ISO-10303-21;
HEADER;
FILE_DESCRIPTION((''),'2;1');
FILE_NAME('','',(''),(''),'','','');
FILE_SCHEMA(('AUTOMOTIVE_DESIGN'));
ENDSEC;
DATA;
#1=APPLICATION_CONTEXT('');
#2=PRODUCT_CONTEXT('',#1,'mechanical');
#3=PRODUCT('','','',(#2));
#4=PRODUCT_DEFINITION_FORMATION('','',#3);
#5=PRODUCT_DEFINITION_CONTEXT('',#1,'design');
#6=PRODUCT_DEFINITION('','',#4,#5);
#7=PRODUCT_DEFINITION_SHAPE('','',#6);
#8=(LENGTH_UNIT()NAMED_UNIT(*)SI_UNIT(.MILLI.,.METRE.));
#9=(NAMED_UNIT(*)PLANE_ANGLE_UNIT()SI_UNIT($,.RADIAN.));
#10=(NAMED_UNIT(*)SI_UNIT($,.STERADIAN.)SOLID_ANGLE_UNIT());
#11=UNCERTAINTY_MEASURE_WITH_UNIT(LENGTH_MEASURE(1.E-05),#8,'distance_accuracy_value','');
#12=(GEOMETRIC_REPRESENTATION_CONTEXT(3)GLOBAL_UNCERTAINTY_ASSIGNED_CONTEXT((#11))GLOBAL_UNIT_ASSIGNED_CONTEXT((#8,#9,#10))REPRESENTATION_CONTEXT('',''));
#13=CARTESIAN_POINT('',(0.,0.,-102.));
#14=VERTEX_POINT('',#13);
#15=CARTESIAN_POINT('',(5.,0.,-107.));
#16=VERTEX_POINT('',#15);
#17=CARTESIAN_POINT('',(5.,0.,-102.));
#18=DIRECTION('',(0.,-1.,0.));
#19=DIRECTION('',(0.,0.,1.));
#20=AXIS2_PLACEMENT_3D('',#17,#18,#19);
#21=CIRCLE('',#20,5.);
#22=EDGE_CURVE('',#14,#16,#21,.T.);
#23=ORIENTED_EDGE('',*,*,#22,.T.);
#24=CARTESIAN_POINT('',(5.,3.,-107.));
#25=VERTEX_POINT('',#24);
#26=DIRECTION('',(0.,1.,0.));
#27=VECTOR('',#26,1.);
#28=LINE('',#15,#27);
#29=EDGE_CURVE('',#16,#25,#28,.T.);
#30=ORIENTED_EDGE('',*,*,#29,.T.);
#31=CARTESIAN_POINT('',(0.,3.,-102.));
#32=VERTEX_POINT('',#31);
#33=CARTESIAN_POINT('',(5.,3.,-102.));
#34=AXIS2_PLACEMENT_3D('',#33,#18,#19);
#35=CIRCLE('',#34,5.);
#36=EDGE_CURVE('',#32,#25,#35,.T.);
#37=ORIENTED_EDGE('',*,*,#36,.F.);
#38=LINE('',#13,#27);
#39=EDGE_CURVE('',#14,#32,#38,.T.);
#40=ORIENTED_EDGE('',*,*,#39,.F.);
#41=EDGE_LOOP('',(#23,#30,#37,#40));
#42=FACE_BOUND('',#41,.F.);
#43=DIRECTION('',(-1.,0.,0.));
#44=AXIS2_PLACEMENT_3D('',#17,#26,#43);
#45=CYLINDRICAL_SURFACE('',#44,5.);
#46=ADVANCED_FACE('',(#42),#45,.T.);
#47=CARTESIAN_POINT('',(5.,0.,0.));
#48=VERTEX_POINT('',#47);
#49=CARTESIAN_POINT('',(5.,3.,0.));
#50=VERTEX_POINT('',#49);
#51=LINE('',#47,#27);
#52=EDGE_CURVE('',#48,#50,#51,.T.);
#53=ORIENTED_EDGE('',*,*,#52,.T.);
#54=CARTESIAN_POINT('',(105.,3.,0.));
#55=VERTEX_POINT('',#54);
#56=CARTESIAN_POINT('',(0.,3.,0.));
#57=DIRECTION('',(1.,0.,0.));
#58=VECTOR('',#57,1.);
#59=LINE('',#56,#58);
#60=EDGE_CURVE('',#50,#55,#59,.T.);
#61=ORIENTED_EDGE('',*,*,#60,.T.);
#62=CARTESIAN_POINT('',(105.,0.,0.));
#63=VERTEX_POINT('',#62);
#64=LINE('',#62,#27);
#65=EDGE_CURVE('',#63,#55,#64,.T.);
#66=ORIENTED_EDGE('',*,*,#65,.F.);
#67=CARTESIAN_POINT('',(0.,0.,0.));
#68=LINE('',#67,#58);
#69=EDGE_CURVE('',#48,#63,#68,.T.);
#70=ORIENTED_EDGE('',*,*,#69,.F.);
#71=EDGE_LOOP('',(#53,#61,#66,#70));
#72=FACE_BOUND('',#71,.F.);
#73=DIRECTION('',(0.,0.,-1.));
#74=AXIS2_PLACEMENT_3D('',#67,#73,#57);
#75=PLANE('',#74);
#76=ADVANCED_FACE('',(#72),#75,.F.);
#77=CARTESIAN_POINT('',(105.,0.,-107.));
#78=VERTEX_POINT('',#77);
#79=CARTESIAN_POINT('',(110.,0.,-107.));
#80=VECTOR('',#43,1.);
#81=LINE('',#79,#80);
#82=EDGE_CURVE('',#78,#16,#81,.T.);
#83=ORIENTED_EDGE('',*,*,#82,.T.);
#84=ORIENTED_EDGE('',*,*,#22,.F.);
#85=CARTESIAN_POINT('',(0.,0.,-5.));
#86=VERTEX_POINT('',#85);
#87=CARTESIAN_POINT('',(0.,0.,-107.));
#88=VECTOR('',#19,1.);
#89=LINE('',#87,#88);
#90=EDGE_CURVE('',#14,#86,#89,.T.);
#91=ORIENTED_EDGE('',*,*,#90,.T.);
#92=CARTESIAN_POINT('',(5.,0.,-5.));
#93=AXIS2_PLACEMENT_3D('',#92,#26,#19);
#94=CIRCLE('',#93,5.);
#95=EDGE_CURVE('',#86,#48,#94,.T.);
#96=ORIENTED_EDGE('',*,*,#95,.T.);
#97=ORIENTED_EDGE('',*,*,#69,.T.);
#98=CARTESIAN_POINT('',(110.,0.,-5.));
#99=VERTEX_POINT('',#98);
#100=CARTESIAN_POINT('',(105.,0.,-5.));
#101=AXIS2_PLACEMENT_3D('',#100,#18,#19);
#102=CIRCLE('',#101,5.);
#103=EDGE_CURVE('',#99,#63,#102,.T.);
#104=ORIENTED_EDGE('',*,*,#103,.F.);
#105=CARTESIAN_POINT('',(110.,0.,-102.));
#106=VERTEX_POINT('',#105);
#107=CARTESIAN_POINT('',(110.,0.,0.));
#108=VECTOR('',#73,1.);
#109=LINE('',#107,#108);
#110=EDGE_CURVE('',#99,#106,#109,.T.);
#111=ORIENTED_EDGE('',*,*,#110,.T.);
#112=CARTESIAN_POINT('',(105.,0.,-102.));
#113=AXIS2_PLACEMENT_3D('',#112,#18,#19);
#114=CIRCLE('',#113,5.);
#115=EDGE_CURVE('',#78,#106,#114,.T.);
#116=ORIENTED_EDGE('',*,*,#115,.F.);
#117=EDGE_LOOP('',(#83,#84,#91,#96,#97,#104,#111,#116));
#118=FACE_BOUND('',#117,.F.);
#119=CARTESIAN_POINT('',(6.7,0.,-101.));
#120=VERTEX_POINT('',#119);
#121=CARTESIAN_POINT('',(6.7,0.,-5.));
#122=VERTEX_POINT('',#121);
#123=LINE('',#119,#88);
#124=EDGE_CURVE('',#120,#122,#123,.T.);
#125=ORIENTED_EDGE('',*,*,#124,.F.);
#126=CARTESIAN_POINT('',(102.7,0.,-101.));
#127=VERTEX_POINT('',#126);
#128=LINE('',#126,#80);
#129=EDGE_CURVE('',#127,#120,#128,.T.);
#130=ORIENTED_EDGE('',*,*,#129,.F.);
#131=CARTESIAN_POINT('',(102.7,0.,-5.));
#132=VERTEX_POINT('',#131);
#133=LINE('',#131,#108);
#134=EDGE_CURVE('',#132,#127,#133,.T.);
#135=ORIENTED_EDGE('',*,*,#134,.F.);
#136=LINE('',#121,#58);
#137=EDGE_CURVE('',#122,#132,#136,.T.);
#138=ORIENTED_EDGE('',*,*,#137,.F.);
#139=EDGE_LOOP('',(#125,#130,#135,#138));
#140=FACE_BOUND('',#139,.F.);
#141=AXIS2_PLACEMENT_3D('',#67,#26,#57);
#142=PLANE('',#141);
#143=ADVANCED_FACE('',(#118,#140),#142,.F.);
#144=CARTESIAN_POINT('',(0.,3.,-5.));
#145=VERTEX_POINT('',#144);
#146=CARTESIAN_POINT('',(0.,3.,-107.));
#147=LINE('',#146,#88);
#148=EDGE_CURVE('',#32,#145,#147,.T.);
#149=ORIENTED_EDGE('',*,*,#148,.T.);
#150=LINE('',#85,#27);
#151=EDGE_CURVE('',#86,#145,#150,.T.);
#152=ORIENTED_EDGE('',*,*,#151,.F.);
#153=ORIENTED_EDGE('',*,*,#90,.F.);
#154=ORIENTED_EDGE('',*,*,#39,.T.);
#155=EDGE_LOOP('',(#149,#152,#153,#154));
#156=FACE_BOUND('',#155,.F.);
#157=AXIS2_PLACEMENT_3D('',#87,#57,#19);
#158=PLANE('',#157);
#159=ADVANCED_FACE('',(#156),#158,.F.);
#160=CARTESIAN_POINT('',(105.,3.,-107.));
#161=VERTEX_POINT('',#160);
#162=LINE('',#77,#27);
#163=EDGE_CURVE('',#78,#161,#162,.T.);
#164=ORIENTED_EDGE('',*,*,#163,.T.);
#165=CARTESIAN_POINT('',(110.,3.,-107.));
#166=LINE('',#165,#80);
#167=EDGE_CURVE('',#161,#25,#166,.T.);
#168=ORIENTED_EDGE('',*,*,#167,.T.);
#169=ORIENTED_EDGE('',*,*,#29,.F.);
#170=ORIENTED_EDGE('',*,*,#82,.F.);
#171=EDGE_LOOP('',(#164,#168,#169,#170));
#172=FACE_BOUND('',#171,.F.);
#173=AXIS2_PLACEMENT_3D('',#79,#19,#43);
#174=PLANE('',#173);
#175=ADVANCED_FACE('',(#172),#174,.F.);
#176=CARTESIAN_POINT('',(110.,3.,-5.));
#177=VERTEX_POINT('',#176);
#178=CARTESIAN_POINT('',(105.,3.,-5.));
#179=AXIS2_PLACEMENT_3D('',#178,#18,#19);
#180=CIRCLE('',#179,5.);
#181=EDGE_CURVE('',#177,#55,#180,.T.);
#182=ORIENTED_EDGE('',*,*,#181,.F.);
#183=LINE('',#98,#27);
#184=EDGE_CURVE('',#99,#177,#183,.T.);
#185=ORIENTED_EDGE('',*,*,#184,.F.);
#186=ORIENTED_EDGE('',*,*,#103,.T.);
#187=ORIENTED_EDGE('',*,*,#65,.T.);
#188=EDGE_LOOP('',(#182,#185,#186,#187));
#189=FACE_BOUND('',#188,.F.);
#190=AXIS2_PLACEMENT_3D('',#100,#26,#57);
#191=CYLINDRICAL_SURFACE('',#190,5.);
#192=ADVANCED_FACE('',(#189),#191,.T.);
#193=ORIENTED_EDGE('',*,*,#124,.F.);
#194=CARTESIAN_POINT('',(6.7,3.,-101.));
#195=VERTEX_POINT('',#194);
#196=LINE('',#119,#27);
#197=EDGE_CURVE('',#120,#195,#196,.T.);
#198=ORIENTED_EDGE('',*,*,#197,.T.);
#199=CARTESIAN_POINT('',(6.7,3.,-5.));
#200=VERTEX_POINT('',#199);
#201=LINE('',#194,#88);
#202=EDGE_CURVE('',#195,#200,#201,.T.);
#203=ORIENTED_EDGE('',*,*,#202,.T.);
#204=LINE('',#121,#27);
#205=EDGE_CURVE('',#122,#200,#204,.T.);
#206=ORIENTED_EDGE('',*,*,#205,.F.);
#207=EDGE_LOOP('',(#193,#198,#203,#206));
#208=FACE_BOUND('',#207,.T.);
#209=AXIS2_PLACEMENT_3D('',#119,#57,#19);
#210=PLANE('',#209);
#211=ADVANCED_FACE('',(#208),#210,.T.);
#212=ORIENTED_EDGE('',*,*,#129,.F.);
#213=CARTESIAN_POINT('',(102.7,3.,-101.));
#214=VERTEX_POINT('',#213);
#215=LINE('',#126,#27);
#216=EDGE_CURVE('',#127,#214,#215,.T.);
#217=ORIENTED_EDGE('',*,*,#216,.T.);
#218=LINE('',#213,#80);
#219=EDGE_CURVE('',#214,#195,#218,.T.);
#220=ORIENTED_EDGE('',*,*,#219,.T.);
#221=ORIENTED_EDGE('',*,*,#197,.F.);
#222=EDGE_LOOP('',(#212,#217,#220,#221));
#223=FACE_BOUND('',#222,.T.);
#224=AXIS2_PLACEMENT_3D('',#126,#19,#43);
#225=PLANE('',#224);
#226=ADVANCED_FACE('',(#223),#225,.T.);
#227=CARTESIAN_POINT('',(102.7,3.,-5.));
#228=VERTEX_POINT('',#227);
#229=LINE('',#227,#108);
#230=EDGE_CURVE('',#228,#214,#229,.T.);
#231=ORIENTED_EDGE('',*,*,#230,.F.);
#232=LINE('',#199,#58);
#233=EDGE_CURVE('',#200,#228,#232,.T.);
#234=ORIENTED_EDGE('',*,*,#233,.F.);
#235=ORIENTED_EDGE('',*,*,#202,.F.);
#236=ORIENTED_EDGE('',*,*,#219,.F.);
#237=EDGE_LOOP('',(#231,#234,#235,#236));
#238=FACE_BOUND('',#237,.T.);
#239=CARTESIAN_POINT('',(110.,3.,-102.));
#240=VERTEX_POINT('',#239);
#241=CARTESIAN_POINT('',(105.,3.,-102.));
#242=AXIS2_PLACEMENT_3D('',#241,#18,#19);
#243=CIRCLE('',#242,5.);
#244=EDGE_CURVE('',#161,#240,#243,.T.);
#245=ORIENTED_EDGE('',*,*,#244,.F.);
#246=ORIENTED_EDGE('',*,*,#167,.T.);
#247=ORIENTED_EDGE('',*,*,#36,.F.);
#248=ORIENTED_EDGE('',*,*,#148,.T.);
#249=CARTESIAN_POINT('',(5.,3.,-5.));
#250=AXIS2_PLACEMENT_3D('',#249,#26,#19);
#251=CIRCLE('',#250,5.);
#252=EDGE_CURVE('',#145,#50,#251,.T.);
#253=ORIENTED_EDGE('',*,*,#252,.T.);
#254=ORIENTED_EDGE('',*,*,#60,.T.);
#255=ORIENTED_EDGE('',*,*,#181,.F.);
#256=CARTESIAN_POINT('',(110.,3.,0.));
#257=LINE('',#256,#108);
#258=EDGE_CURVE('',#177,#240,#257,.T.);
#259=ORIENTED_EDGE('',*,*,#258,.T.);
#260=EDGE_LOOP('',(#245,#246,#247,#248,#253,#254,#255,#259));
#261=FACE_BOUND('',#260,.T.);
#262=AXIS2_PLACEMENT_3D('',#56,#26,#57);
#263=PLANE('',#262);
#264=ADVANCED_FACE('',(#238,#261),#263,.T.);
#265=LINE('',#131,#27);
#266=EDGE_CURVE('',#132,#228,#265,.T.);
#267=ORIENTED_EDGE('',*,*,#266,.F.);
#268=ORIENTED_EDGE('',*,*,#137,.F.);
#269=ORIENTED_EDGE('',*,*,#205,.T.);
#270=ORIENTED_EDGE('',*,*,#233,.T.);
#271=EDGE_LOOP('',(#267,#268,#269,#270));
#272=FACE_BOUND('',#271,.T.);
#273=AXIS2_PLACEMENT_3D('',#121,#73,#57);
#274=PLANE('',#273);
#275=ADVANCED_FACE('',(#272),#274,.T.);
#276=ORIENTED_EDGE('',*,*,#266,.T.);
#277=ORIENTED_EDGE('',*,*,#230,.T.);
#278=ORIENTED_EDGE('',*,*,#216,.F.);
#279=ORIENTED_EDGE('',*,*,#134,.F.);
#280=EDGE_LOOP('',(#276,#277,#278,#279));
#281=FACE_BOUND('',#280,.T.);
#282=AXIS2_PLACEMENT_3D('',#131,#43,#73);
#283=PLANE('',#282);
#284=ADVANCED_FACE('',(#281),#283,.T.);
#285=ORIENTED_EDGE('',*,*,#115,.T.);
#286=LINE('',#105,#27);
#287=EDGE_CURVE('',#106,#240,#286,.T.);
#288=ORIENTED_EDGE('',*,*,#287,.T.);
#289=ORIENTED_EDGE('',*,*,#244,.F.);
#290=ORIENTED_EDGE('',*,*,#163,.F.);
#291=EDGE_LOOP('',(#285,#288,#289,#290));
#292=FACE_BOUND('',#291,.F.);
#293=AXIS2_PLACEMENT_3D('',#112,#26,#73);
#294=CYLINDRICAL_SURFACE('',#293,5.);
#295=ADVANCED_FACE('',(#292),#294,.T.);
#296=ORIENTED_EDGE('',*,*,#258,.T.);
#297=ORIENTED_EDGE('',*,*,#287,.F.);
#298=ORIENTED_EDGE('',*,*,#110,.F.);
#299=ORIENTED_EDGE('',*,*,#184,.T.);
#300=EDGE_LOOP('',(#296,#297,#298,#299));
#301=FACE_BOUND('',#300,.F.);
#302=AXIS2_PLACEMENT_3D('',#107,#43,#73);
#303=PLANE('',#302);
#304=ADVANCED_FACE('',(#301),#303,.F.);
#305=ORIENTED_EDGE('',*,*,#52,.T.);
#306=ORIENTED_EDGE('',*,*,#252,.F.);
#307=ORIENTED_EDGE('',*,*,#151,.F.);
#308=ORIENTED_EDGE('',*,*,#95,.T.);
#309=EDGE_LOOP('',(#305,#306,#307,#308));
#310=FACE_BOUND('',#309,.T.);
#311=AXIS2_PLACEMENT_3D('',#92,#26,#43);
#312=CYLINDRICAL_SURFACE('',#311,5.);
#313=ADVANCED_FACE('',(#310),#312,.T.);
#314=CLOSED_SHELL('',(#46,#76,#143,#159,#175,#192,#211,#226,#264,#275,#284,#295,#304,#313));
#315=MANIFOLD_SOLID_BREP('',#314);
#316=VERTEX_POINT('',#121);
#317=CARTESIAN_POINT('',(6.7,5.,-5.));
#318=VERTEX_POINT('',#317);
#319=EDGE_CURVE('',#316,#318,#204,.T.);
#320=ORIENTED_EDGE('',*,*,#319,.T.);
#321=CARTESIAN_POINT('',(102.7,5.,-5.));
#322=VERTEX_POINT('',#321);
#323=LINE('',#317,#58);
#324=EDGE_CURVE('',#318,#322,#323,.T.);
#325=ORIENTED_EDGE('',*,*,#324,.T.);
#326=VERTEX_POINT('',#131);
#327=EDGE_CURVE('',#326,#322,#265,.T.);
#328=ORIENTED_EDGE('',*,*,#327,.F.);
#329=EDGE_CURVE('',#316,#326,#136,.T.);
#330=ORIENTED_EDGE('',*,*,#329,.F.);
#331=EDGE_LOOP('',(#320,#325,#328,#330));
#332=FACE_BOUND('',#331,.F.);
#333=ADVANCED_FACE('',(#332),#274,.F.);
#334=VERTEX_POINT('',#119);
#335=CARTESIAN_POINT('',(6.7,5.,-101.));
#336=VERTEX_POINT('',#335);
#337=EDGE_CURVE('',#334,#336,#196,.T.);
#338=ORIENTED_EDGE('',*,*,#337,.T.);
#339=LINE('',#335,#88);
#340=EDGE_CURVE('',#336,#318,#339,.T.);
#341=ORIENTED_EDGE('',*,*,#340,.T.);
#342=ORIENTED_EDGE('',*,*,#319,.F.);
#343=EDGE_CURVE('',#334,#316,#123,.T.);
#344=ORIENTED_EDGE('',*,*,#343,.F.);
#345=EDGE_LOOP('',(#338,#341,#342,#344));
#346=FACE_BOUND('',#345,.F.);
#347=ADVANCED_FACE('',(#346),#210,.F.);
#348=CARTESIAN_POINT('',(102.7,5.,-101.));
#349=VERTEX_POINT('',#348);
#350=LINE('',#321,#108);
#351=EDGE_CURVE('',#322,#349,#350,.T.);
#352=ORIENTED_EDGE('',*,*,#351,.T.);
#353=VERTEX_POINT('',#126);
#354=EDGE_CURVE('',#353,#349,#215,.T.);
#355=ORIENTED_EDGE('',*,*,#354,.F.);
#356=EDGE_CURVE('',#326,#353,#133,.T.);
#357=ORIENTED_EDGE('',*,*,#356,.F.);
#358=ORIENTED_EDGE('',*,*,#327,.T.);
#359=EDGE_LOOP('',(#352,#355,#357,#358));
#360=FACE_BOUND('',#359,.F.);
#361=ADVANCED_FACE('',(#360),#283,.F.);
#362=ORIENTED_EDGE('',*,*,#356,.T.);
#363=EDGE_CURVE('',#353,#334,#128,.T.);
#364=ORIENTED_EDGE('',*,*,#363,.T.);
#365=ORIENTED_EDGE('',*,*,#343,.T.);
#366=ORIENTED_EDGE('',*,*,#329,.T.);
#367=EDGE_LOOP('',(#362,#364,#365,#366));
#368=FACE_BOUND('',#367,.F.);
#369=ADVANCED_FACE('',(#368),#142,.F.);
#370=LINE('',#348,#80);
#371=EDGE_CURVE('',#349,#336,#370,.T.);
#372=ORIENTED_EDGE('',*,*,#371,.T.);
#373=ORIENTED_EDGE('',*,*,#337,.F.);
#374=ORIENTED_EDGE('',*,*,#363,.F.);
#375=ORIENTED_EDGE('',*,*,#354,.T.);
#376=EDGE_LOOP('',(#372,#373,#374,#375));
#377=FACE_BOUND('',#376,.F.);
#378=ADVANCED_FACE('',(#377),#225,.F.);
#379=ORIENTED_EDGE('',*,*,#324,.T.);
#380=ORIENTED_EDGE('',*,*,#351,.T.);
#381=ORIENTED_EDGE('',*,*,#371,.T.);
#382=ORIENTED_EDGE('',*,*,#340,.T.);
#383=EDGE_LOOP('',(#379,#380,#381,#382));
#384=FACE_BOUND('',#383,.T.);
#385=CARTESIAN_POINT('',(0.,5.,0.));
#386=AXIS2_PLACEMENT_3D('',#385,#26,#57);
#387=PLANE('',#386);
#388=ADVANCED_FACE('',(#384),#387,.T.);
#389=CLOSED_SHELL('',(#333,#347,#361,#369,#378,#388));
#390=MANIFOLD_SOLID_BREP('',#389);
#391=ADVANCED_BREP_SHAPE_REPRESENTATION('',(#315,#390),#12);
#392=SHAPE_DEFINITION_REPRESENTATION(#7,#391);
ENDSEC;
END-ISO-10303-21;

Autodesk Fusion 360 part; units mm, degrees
sketch "Sketch1" plane through (0, 0, 0) normal (0, 1, 0) x (1, 0, 0)
  line L0 (0, 0) -> (110, 0)
  line L1 (110, 0) -> (110, 107)
  line L2 (110, 107) -> (0, 107)
  line L3 (0, 107) -> (0, 0)
  line L4 (6.7, 5) -> (102.7, 5)
  line L5 (102.7, 5) -> (102.7, 101)
  line L6 (102.7, 101) -> (6.7, 101)
  line L7 (6.7, 101) -> (6.7, 5)
  dimension "d1" = 110
  dimension "d2" = 107
  dimension "d3" = 96
  dimension "d4" = 5
  dimension "d5" = 96
  dimension "d6" = 5.4
  dimension "d7" = 6.7
  dimension "d8" = 7.3
extrude "Extrude2" add sketch "Sketch1" along normal blind 3 makes body 1
extrude "Extrude1" add sketch "Sketch1" along normal blind 5 separate body contours L4 L5 L6 L7 makes body 2
fillet "Fillet1" radius 5 4 edges at (0, 1.5, 0) (110, 1.5, 0) (110, 1.5, -107) (0, 1.5, -107) on bodies 1
